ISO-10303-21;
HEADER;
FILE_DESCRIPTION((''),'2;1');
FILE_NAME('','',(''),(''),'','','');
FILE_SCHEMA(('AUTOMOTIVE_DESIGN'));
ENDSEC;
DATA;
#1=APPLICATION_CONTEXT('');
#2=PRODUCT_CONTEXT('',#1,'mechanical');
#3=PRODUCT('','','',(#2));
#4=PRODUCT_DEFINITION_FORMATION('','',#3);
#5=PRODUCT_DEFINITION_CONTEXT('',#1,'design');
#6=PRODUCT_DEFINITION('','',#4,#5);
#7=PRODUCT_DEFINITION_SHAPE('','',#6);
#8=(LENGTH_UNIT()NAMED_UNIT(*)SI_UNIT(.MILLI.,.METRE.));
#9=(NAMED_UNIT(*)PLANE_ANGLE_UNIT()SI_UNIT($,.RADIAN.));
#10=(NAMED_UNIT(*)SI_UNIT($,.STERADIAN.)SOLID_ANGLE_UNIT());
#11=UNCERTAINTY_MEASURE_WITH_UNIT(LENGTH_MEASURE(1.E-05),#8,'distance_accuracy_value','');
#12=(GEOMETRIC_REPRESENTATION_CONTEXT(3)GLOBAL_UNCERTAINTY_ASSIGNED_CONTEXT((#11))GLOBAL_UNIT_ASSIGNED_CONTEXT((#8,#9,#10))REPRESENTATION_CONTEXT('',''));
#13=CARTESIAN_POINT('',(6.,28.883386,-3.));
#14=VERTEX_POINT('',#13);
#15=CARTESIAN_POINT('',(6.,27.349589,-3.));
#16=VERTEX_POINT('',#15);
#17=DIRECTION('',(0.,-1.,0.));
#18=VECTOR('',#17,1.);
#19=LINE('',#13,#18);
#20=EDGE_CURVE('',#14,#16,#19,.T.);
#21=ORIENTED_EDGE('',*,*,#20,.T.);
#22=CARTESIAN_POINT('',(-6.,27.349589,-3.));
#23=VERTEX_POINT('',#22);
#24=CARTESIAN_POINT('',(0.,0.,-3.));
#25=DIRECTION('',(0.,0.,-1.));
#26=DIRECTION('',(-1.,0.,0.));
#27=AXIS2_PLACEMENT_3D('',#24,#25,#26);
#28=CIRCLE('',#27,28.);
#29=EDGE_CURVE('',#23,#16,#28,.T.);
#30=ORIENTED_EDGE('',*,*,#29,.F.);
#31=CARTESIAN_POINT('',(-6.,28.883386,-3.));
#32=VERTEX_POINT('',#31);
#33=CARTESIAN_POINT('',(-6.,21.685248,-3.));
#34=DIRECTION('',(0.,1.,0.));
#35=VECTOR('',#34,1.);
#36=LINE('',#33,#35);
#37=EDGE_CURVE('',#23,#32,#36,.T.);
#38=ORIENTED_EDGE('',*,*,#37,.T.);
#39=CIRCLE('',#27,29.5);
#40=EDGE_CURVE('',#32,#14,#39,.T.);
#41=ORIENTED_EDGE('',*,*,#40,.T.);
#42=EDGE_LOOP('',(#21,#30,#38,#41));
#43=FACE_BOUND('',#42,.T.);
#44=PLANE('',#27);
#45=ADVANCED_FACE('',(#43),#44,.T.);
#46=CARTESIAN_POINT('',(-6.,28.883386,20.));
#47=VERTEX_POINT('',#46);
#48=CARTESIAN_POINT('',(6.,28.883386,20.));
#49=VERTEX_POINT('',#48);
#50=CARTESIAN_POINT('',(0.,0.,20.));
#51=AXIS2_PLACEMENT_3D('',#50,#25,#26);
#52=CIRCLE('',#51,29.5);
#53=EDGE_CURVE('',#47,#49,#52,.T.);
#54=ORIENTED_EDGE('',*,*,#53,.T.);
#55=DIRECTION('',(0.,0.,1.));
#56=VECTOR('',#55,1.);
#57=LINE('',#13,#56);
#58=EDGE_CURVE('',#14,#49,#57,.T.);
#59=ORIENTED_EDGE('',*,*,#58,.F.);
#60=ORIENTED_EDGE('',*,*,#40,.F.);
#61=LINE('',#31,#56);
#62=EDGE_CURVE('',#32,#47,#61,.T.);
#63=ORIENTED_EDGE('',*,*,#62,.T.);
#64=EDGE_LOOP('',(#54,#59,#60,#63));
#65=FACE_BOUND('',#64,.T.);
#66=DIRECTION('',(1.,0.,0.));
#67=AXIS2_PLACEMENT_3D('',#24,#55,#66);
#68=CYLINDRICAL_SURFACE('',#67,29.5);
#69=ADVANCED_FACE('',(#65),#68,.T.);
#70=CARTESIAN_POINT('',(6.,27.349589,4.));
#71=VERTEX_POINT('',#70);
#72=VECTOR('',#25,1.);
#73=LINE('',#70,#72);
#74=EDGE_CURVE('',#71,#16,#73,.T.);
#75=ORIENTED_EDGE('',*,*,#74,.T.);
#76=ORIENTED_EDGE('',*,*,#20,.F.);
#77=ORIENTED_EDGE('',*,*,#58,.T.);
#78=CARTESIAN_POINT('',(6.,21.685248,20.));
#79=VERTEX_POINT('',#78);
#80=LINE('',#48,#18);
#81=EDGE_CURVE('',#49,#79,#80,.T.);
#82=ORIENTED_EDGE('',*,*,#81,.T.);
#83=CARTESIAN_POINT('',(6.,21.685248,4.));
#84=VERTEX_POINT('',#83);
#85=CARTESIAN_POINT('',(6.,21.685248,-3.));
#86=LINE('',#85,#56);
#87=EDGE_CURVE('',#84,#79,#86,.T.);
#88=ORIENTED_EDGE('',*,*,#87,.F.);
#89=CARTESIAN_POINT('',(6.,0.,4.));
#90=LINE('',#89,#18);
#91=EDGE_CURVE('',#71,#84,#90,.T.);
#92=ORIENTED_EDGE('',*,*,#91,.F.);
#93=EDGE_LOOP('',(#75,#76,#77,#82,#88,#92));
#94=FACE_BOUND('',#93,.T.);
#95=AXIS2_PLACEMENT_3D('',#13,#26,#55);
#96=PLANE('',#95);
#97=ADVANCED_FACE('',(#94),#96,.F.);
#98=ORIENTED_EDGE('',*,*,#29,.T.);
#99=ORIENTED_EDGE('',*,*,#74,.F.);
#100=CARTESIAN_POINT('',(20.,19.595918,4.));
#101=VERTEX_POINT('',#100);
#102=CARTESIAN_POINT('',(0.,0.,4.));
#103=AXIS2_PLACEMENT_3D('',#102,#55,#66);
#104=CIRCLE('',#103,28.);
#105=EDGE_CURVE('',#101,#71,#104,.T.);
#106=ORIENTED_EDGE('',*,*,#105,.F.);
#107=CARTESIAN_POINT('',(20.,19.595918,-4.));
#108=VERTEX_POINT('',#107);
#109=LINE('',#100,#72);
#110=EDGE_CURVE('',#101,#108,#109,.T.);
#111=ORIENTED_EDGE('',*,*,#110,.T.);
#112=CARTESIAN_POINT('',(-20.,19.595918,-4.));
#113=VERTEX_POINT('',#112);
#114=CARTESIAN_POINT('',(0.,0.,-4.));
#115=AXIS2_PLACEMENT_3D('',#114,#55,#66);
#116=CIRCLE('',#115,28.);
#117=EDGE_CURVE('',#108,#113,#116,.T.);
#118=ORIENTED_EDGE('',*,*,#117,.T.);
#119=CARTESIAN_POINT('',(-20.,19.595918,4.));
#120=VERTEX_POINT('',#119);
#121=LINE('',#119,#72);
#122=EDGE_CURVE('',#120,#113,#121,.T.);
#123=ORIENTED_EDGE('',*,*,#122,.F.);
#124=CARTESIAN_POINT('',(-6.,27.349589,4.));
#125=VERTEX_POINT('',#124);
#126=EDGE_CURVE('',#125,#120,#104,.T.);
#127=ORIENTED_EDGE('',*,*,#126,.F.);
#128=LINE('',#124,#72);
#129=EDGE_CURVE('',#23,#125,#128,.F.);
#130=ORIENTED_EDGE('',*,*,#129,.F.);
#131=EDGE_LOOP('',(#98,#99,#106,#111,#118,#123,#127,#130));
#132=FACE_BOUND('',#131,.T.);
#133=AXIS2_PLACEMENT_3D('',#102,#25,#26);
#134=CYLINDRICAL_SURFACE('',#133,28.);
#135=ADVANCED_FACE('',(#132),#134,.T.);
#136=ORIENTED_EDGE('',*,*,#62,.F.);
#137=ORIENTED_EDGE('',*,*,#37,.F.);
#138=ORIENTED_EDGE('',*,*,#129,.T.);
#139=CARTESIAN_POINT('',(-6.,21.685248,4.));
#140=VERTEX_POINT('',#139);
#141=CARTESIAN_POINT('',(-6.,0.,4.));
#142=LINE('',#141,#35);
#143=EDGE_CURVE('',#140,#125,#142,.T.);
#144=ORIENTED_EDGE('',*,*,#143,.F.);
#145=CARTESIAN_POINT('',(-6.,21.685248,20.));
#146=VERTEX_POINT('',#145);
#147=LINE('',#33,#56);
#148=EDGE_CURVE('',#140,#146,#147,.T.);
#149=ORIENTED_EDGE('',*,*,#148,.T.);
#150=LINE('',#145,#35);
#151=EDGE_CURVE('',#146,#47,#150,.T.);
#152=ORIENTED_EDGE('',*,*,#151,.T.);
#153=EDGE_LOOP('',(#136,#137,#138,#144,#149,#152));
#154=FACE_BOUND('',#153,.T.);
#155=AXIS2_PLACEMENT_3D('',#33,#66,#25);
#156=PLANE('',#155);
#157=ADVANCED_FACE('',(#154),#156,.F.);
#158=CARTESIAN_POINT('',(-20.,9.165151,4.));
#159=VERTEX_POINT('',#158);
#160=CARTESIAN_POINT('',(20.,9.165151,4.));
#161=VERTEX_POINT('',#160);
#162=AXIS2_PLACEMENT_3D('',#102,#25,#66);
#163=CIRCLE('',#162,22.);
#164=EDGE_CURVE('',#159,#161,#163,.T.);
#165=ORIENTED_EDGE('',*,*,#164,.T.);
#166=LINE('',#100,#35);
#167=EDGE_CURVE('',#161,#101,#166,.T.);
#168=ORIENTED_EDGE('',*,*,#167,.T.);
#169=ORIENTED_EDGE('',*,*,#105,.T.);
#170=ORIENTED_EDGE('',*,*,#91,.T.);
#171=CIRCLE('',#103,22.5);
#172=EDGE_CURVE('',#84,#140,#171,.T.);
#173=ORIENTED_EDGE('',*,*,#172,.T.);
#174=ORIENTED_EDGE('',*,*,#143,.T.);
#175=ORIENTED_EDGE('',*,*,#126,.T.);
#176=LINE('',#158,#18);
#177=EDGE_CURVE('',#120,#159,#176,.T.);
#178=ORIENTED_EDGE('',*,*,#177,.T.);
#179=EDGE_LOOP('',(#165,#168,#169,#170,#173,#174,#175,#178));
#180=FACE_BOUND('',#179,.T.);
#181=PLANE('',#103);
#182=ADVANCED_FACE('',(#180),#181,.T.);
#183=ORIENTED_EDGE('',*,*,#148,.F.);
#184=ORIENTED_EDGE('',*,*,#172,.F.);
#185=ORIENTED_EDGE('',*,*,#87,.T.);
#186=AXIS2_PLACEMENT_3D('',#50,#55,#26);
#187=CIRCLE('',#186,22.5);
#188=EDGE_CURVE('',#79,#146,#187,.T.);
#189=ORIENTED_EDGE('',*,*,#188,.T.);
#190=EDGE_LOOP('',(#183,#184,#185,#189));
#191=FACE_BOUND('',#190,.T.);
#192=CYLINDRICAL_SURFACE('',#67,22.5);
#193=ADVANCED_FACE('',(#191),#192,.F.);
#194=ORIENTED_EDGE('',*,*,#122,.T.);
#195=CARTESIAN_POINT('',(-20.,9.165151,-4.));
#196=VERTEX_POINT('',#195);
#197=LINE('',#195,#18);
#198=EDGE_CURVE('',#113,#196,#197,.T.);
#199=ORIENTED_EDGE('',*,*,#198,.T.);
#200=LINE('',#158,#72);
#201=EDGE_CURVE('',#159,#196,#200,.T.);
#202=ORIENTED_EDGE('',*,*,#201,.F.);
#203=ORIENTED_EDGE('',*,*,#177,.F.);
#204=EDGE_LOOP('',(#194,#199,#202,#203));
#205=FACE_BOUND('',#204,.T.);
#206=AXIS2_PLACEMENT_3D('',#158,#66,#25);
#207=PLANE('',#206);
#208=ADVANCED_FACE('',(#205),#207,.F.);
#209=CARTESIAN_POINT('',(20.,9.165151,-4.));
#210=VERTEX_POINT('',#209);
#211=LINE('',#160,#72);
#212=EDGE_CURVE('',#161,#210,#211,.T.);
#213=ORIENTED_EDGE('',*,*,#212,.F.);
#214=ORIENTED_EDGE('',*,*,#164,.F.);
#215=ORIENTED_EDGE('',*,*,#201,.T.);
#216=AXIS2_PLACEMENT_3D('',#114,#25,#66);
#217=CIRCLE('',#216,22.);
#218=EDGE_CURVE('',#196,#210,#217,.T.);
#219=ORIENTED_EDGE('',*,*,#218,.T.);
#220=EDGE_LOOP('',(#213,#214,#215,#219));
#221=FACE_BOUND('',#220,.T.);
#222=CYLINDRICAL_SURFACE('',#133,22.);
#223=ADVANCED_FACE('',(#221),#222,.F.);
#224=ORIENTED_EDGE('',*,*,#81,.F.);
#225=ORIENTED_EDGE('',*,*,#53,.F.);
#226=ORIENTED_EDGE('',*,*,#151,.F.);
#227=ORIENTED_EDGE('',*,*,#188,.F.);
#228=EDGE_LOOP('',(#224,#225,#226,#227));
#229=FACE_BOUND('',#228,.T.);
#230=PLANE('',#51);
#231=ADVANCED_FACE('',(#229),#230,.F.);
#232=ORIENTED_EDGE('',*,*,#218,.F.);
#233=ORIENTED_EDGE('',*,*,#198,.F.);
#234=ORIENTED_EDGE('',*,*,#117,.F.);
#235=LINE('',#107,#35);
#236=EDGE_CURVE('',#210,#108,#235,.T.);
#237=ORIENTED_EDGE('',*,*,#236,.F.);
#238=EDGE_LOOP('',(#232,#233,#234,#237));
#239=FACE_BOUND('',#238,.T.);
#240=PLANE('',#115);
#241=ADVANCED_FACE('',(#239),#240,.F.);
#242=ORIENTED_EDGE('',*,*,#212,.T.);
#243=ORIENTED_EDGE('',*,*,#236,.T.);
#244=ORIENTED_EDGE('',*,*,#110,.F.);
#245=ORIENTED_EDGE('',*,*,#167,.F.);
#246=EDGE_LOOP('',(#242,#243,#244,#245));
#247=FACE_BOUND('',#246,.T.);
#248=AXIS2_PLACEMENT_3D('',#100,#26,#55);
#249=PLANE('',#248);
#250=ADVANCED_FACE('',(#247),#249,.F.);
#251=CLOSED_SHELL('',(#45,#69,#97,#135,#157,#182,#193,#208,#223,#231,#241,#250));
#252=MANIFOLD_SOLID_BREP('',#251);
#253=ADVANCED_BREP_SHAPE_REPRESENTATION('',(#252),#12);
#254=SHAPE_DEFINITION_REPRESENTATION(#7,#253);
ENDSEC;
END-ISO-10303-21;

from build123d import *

# Parameters (mm, degrees)
EXTRUDE1_DEPTH      = 4
EXTRUDE2_DEPTH      = 7
EXTRUDE2_DEPTH_BACK = 16


with BuildPart() as part:
    # Sketch1 → Extrude1 (new, symmetric)
    with BuildSketch(Plane.XY):
        with BuildLine():
            Line((-20, 9.16515139), (-20, 19.595917942))
            ThreePointArc((-20, 19.595917942), (0, 28), (20, 19.595917942))
            Line((20, 19.595917942), (20, 9.16515139))
            ThreePointArc((20, 9.16515139), (0, 22), (-20, 9.16515139))
        make_face()
    extrude(amount=EXTRUDE1_DEPTH, both=True)

    # Sketch2 → Extrude2 (add, two sides: drawn at the far end of the back side and taken through both)
    with BuildSketch(Plane(origin=(0, 0, 4), x_dir=(-1, 0, 0), z_dir=(0, 0, -1)).offset(-EXTRUDE2_DEPTH_BACK)):
        with BuildLine():
            Line((6, 21.685248442), (6, 28.883386228))
            ThreePointArc((6, 28.883386228), (0, 29.5), (-6, 28.883386228))
            Line((-6, 28.883386228), (-6, 21.685248442))
            ThreePointArc((-6, 21.685248442), (0, 22.5), (6, 21.685248442))
        make_face()
    extrude(amount=EXTRUDE2_DEPTH + EXTRUDE2_DEPTH_BACK)


solid = part.part
